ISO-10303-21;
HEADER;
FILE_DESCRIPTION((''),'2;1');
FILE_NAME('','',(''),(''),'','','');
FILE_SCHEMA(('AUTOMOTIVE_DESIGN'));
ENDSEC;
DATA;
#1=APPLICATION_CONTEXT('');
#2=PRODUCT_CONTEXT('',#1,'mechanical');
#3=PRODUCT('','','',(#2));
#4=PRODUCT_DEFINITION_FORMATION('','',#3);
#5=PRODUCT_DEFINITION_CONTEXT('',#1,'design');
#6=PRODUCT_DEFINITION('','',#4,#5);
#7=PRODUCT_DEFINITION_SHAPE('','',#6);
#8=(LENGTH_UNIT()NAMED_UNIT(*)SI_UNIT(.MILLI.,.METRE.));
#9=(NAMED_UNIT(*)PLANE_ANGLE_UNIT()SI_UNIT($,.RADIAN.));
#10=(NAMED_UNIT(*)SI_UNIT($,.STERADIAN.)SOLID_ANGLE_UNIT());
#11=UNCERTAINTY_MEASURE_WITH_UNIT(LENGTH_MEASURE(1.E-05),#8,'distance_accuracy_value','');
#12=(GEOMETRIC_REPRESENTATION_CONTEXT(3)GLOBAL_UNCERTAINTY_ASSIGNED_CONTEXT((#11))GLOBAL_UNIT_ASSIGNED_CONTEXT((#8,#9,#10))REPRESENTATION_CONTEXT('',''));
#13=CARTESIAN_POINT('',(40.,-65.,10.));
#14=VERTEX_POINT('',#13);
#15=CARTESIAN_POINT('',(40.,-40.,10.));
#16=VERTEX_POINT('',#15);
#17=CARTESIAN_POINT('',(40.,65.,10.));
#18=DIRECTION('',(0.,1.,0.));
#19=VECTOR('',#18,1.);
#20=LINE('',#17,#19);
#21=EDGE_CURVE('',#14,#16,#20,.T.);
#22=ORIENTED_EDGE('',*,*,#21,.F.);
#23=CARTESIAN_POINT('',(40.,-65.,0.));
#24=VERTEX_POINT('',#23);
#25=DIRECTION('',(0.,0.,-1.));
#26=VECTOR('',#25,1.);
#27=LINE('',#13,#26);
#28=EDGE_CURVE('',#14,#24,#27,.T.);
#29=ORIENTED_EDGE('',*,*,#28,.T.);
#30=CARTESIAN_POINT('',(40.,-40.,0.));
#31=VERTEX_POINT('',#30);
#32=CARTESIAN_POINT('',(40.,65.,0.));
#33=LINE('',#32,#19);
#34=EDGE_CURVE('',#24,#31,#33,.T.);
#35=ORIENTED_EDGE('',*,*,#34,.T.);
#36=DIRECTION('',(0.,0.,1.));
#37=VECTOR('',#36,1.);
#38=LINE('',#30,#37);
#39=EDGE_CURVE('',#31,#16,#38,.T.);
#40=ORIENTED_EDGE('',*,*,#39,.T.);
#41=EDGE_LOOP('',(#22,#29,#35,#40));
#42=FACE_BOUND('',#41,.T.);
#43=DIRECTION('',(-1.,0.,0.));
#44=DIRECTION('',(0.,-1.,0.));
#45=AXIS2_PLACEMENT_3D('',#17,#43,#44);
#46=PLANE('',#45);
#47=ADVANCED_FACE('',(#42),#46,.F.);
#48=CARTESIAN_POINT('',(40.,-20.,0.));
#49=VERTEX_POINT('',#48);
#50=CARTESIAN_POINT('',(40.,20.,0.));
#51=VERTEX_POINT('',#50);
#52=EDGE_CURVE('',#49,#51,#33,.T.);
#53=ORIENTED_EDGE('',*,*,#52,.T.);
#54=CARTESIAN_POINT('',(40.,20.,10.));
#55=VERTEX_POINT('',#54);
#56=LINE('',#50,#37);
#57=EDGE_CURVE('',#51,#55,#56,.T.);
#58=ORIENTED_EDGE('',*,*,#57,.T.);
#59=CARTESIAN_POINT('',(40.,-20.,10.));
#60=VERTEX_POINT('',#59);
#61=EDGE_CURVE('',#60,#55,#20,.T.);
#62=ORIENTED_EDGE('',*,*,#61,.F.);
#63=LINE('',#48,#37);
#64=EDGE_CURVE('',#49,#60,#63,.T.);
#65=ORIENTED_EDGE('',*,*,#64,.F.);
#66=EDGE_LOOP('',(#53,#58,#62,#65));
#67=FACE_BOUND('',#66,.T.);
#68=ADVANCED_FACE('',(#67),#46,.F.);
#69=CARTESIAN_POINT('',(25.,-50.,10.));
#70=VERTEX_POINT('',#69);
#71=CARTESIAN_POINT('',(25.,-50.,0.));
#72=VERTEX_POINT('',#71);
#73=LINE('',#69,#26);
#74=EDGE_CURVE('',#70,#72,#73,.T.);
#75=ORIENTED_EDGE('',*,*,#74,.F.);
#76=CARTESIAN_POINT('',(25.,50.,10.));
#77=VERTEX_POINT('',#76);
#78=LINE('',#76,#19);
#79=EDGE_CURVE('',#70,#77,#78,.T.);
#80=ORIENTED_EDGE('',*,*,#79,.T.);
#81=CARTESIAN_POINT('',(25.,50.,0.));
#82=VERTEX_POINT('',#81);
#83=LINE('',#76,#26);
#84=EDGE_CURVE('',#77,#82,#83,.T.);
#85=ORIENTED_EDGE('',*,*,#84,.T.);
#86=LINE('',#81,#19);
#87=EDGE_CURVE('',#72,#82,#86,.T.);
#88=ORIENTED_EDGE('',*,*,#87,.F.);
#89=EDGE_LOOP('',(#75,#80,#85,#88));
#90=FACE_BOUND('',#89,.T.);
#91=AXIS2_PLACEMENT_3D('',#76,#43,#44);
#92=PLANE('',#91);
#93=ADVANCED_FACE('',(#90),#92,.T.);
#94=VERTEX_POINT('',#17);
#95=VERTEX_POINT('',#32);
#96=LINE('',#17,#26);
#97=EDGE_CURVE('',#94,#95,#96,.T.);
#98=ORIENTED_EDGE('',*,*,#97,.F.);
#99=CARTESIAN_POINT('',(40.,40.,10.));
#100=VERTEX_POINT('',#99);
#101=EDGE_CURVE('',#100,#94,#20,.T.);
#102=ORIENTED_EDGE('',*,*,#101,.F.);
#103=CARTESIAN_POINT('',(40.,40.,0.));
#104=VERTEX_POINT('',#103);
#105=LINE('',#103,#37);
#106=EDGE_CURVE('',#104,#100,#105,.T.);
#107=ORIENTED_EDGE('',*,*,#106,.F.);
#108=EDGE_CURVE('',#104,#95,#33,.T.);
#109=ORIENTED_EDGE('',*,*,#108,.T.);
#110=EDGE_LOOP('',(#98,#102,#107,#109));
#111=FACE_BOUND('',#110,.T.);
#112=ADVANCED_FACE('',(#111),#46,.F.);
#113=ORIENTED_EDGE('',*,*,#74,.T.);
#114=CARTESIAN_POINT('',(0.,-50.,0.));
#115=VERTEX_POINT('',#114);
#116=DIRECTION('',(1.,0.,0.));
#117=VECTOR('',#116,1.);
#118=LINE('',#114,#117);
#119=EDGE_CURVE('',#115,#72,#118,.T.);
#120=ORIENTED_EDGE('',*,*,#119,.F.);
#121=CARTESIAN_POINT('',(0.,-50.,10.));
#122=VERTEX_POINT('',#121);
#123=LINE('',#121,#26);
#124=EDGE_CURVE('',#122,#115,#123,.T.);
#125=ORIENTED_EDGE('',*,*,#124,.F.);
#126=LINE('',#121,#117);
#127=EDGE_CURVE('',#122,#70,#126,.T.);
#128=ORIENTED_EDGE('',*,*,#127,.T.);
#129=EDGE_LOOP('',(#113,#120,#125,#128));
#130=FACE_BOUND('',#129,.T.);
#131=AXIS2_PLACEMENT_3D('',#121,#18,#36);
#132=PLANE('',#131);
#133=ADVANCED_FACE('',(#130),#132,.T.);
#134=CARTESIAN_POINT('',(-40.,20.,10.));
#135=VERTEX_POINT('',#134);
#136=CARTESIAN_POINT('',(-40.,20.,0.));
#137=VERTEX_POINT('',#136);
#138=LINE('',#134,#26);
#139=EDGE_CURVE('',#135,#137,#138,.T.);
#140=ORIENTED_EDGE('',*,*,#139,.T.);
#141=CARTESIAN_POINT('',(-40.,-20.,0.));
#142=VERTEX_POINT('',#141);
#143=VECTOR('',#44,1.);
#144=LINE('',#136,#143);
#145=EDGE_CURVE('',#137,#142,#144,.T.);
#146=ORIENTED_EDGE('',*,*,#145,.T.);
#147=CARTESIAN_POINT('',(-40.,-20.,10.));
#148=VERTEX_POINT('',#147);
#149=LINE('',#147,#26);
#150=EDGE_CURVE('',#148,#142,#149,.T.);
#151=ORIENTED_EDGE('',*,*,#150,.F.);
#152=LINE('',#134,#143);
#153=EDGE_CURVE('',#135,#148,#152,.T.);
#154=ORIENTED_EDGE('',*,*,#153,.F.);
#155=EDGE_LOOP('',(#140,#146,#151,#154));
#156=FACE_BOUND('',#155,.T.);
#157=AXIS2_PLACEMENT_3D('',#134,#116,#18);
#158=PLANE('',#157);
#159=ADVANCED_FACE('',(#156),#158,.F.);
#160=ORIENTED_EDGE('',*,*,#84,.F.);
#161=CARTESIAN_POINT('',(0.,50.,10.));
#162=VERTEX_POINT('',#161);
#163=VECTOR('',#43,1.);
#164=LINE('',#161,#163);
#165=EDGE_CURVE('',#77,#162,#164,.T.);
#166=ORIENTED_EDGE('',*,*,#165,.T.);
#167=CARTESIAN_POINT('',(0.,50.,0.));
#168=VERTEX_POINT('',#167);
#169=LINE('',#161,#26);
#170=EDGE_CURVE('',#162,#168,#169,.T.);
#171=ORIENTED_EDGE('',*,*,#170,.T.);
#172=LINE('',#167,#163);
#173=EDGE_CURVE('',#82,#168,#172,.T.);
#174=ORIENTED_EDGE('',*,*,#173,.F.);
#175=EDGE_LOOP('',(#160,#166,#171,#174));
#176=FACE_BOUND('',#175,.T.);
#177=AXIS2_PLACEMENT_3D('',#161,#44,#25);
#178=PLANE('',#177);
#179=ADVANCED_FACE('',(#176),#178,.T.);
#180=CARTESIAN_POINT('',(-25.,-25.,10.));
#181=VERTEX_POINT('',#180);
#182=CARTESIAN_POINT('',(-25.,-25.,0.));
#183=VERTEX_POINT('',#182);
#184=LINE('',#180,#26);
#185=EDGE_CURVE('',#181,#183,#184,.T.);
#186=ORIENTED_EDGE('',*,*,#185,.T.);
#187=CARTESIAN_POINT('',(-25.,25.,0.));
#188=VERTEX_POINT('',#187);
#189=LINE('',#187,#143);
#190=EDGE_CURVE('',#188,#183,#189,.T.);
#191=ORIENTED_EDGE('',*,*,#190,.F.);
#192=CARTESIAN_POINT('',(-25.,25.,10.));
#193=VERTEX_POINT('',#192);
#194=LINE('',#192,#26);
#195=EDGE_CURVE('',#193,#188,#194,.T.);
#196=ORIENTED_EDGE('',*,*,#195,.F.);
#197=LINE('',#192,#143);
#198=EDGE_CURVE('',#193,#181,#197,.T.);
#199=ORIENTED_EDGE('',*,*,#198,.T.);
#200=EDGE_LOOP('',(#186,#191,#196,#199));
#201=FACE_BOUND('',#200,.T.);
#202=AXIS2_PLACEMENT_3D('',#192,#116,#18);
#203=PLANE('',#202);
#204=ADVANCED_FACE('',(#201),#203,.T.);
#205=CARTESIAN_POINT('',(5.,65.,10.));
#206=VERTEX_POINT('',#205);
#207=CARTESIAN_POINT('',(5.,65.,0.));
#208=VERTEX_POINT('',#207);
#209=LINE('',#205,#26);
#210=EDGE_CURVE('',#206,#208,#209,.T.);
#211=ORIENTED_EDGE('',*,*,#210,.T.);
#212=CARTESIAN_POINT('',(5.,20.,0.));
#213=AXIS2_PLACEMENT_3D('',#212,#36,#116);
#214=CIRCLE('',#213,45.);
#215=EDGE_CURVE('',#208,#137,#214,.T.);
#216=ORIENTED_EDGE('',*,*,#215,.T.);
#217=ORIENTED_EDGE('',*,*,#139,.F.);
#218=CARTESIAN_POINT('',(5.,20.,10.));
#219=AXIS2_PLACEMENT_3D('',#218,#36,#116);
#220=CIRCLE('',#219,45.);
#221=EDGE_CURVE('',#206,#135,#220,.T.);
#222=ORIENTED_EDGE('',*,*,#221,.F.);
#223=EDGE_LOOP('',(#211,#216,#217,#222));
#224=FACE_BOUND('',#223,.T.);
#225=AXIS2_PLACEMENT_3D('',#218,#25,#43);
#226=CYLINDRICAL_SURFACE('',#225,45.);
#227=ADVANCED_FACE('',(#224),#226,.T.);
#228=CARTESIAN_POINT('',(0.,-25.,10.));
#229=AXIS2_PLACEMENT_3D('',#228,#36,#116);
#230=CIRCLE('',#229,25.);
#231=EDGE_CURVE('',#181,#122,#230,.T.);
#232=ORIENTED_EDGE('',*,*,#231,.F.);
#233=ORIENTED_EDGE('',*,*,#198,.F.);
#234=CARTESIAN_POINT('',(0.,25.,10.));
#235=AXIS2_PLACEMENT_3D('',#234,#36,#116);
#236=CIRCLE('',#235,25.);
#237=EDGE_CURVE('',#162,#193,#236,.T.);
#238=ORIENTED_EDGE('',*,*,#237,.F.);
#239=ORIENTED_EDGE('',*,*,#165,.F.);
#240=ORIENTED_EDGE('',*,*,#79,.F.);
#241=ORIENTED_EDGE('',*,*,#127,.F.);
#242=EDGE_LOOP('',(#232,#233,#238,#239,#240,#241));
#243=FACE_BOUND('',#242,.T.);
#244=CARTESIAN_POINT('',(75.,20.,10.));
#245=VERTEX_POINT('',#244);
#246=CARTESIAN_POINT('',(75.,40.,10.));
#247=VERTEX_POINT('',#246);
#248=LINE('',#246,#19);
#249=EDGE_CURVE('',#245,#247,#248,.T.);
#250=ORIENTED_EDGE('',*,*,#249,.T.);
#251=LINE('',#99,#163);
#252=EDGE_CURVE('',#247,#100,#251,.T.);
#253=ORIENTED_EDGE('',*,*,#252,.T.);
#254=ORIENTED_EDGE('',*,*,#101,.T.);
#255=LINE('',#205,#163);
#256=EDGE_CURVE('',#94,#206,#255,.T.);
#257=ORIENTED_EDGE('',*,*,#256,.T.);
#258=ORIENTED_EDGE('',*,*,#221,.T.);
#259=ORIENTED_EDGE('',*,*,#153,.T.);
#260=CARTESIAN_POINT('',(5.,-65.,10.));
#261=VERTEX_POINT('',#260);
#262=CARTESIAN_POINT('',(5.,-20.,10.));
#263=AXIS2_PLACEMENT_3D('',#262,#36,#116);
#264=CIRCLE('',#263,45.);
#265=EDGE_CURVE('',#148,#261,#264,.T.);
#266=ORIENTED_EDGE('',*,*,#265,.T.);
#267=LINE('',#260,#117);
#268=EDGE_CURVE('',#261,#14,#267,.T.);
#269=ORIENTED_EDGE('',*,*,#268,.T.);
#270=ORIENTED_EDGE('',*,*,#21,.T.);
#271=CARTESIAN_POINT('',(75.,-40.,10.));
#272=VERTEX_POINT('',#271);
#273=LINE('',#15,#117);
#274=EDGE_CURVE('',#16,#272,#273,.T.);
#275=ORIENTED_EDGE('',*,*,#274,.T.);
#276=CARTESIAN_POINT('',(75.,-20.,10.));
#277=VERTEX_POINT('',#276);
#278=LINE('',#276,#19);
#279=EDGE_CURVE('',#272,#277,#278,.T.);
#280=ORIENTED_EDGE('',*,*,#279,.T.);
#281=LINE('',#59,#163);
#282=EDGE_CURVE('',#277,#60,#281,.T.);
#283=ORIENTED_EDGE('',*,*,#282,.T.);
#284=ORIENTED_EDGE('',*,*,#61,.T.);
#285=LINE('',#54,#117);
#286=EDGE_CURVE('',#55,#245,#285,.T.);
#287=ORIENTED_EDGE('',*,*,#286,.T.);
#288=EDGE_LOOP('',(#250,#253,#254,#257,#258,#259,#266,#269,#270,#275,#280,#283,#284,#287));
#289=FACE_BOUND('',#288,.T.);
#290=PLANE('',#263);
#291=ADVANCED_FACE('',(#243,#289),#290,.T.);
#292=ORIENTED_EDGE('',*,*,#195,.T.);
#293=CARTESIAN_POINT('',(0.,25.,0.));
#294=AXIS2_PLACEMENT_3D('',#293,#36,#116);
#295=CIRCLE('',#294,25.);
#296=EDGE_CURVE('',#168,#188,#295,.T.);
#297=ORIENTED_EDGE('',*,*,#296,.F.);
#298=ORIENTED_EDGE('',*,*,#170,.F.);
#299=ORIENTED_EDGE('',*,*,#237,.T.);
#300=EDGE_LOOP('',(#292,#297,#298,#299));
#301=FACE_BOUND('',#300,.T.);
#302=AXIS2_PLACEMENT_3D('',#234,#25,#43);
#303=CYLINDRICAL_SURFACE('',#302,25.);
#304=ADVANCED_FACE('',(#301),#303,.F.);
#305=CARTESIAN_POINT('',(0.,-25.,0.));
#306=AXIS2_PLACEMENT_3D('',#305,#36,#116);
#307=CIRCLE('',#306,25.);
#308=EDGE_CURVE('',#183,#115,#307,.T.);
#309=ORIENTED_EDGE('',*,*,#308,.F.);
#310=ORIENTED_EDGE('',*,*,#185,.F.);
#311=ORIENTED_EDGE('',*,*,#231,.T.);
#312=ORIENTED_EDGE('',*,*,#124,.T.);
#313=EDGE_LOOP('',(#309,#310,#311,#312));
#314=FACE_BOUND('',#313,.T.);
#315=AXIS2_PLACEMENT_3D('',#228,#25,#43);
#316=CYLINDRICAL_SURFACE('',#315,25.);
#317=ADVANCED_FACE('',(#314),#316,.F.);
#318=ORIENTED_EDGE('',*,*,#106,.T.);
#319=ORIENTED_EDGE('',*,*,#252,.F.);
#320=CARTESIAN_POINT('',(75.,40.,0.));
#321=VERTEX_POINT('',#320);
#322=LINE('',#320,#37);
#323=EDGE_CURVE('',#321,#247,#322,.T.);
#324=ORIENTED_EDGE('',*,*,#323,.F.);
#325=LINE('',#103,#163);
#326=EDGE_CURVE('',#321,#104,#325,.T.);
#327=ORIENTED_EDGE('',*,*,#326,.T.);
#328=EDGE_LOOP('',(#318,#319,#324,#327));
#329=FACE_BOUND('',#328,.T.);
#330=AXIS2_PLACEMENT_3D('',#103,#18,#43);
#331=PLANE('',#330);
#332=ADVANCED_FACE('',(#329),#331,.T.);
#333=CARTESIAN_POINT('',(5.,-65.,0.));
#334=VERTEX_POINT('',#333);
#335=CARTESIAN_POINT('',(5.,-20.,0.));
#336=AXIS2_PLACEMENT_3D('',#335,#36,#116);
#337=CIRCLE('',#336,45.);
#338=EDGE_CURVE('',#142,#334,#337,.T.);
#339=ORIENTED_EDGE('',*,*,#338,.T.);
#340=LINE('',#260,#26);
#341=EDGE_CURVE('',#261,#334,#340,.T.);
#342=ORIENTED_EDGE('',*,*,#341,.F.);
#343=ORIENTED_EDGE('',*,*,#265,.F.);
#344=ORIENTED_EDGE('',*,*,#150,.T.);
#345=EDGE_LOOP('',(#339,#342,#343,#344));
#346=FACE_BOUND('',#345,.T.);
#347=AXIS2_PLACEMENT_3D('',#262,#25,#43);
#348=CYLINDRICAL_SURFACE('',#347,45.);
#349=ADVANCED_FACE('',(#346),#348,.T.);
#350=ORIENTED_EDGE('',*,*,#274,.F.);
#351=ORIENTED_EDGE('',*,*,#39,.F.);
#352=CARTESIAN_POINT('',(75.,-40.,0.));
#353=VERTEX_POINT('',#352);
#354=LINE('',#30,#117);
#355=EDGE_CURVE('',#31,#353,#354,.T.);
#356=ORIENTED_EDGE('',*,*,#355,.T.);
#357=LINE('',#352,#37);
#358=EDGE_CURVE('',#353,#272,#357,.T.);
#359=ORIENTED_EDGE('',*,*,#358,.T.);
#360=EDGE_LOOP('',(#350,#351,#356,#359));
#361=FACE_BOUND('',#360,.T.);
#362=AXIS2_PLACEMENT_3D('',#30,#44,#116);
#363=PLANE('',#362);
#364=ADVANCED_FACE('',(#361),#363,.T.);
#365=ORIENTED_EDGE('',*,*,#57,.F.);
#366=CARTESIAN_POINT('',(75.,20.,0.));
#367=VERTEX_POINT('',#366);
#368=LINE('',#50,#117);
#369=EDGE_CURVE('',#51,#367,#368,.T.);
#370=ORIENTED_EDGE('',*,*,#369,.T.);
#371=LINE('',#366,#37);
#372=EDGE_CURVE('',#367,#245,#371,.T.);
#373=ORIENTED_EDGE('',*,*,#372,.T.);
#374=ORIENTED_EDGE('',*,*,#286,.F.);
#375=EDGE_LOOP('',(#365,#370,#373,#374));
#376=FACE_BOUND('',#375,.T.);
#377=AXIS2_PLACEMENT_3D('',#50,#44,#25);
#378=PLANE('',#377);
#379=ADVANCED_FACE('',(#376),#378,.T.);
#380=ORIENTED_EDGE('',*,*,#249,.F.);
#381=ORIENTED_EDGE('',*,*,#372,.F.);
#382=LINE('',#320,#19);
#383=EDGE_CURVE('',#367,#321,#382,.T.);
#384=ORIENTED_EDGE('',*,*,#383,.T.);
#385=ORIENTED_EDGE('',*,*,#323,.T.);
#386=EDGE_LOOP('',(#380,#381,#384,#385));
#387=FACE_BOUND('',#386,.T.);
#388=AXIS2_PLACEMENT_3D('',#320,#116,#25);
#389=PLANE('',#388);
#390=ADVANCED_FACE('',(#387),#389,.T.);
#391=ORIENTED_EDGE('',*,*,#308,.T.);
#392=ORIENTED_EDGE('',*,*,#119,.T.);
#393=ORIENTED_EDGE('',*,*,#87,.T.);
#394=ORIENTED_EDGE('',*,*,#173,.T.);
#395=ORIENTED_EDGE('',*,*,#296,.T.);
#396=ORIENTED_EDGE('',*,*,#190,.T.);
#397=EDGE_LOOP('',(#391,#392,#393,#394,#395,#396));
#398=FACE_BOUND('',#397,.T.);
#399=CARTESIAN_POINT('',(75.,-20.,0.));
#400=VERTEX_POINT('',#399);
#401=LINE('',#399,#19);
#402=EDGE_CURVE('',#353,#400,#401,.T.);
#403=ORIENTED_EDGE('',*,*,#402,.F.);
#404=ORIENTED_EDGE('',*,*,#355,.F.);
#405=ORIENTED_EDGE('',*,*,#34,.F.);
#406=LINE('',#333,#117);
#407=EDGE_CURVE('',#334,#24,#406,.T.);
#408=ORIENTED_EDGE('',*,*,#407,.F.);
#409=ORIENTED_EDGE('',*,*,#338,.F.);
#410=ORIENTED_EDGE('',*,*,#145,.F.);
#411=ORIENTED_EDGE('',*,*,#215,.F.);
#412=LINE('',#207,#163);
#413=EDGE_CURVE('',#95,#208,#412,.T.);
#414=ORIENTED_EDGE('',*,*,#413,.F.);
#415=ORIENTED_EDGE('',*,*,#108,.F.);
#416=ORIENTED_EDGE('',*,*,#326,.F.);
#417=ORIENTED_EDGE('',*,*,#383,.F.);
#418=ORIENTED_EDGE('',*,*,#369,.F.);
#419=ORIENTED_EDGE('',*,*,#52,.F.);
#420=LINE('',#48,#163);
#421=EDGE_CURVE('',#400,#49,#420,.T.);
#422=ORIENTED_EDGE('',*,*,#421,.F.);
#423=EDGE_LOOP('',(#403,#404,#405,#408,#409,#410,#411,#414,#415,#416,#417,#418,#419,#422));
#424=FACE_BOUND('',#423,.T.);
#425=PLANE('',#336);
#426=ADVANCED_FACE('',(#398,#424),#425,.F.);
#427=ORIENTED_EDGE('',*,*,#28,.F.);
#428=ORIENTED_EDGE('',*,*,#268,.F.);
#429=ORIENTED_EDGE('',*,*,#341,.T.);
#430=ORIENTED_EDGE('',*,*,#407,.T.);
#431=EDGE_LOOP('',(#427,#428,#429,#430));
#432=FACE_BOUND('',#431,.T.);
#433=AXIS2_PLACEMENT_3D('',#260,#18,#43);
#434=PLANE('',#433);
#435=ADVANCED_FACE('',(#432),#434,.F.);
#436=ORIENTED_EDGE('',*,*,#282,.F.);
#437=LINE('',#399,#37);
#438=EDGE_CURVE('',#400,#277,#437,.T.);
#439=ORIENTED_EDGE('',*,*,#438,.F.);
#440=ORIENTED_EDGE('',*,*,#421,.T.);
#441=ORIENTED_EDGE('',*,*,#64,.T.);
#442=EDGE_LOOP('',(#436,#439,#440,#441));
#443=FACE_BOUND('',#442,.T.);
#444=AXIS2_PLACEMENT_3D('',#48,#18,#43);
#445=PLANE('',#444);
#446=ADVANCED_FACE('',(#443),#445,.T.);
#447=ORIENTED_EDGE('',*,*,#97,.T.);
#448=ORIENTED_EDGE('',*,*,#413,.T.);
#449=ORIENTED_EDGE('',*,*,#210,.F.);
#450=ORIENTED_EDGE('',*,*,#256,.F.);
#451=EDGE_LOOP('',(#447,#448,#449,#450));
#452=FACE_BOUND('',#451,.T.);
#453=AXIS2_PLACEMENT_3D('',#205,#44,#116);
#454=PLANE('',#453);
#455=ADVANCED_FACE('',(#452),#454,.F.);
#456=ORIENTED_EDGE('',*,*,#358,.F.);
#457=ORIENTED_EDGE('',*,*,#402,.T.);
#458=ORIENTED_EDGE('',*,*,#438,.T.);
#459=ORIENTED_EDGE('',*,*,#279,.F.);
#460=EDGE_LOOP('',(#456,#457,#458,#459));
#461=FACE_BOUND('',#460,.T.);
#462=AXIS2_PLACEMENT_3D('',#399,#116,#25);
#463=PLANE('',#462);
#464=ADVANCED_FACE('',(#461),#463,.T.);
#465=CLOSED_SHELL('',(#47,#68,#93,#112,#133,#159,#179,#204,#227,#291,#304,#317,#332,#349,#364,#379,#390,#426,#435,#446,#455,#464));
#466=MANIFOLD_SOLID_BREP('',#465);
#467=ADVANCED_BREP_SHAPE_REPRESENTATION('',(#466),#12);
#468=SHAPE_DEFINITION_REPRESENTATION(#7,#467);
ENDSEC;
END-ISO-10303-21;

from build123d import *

# Parameters (mm, degrees)
BOSS_EXTRU_1_DEPTH = 10
ESQUISSE2_W        = 35
ESQUISSE2_H        = 20
BOSS_EXTRU_2_DEPTH = 10


with BuildPart() as part:
    # Esquisse1 → Boss.-Extru.1 (new body)
    with BuildSketch(Plane.XY):
        with BuildLine():
            Line((5, 65), (40, 65))
            Line((40, 65), (40, -65))
            Line((40, -65), (5, -65))
            ThreePointArc((5, -65), (-26.819805153, -51.819805153), (-40, -20))
            Line((-40, -20), (-40, 20))
            ThreePointArc((-40, 20), (-26.819805153, 51.819805153), (5, 65))
        make_face()
        with BuildLine():
            Line((0, 50), (25, 50))
            Line((25, 50), (25, -50))
            Line((25, -50), (0, -50))
            ThreePointArc((0, -50), (-17.67766953, -42.67766953), (-25, -25))
            Line((-25, -25), (-25, 25))
            ThreePointArc((-25, 25), (-17.67766953, 42.67766953), (0, 50))
        make_face(mode=Mode.SUBTRACT)
    extrude(amount=BOSS_EXTRU_1_DEPTH)

    # Esquisse2 → Boss.-Extru.2 (add)
    with BuildSketch(Plane.XY.offset(10)):
        with Locations((57.5, 30)):
            Rectangle(ESQUISSE2_W, ESQUISSE2_H)
        with Locations((57.5, -30)):
            Rectangle(ESQUISSE2_W, ESQUISSE2_H)
    extrude(amount=-BOSS_EXTRU_2_DEPTH)


solid = part.part
